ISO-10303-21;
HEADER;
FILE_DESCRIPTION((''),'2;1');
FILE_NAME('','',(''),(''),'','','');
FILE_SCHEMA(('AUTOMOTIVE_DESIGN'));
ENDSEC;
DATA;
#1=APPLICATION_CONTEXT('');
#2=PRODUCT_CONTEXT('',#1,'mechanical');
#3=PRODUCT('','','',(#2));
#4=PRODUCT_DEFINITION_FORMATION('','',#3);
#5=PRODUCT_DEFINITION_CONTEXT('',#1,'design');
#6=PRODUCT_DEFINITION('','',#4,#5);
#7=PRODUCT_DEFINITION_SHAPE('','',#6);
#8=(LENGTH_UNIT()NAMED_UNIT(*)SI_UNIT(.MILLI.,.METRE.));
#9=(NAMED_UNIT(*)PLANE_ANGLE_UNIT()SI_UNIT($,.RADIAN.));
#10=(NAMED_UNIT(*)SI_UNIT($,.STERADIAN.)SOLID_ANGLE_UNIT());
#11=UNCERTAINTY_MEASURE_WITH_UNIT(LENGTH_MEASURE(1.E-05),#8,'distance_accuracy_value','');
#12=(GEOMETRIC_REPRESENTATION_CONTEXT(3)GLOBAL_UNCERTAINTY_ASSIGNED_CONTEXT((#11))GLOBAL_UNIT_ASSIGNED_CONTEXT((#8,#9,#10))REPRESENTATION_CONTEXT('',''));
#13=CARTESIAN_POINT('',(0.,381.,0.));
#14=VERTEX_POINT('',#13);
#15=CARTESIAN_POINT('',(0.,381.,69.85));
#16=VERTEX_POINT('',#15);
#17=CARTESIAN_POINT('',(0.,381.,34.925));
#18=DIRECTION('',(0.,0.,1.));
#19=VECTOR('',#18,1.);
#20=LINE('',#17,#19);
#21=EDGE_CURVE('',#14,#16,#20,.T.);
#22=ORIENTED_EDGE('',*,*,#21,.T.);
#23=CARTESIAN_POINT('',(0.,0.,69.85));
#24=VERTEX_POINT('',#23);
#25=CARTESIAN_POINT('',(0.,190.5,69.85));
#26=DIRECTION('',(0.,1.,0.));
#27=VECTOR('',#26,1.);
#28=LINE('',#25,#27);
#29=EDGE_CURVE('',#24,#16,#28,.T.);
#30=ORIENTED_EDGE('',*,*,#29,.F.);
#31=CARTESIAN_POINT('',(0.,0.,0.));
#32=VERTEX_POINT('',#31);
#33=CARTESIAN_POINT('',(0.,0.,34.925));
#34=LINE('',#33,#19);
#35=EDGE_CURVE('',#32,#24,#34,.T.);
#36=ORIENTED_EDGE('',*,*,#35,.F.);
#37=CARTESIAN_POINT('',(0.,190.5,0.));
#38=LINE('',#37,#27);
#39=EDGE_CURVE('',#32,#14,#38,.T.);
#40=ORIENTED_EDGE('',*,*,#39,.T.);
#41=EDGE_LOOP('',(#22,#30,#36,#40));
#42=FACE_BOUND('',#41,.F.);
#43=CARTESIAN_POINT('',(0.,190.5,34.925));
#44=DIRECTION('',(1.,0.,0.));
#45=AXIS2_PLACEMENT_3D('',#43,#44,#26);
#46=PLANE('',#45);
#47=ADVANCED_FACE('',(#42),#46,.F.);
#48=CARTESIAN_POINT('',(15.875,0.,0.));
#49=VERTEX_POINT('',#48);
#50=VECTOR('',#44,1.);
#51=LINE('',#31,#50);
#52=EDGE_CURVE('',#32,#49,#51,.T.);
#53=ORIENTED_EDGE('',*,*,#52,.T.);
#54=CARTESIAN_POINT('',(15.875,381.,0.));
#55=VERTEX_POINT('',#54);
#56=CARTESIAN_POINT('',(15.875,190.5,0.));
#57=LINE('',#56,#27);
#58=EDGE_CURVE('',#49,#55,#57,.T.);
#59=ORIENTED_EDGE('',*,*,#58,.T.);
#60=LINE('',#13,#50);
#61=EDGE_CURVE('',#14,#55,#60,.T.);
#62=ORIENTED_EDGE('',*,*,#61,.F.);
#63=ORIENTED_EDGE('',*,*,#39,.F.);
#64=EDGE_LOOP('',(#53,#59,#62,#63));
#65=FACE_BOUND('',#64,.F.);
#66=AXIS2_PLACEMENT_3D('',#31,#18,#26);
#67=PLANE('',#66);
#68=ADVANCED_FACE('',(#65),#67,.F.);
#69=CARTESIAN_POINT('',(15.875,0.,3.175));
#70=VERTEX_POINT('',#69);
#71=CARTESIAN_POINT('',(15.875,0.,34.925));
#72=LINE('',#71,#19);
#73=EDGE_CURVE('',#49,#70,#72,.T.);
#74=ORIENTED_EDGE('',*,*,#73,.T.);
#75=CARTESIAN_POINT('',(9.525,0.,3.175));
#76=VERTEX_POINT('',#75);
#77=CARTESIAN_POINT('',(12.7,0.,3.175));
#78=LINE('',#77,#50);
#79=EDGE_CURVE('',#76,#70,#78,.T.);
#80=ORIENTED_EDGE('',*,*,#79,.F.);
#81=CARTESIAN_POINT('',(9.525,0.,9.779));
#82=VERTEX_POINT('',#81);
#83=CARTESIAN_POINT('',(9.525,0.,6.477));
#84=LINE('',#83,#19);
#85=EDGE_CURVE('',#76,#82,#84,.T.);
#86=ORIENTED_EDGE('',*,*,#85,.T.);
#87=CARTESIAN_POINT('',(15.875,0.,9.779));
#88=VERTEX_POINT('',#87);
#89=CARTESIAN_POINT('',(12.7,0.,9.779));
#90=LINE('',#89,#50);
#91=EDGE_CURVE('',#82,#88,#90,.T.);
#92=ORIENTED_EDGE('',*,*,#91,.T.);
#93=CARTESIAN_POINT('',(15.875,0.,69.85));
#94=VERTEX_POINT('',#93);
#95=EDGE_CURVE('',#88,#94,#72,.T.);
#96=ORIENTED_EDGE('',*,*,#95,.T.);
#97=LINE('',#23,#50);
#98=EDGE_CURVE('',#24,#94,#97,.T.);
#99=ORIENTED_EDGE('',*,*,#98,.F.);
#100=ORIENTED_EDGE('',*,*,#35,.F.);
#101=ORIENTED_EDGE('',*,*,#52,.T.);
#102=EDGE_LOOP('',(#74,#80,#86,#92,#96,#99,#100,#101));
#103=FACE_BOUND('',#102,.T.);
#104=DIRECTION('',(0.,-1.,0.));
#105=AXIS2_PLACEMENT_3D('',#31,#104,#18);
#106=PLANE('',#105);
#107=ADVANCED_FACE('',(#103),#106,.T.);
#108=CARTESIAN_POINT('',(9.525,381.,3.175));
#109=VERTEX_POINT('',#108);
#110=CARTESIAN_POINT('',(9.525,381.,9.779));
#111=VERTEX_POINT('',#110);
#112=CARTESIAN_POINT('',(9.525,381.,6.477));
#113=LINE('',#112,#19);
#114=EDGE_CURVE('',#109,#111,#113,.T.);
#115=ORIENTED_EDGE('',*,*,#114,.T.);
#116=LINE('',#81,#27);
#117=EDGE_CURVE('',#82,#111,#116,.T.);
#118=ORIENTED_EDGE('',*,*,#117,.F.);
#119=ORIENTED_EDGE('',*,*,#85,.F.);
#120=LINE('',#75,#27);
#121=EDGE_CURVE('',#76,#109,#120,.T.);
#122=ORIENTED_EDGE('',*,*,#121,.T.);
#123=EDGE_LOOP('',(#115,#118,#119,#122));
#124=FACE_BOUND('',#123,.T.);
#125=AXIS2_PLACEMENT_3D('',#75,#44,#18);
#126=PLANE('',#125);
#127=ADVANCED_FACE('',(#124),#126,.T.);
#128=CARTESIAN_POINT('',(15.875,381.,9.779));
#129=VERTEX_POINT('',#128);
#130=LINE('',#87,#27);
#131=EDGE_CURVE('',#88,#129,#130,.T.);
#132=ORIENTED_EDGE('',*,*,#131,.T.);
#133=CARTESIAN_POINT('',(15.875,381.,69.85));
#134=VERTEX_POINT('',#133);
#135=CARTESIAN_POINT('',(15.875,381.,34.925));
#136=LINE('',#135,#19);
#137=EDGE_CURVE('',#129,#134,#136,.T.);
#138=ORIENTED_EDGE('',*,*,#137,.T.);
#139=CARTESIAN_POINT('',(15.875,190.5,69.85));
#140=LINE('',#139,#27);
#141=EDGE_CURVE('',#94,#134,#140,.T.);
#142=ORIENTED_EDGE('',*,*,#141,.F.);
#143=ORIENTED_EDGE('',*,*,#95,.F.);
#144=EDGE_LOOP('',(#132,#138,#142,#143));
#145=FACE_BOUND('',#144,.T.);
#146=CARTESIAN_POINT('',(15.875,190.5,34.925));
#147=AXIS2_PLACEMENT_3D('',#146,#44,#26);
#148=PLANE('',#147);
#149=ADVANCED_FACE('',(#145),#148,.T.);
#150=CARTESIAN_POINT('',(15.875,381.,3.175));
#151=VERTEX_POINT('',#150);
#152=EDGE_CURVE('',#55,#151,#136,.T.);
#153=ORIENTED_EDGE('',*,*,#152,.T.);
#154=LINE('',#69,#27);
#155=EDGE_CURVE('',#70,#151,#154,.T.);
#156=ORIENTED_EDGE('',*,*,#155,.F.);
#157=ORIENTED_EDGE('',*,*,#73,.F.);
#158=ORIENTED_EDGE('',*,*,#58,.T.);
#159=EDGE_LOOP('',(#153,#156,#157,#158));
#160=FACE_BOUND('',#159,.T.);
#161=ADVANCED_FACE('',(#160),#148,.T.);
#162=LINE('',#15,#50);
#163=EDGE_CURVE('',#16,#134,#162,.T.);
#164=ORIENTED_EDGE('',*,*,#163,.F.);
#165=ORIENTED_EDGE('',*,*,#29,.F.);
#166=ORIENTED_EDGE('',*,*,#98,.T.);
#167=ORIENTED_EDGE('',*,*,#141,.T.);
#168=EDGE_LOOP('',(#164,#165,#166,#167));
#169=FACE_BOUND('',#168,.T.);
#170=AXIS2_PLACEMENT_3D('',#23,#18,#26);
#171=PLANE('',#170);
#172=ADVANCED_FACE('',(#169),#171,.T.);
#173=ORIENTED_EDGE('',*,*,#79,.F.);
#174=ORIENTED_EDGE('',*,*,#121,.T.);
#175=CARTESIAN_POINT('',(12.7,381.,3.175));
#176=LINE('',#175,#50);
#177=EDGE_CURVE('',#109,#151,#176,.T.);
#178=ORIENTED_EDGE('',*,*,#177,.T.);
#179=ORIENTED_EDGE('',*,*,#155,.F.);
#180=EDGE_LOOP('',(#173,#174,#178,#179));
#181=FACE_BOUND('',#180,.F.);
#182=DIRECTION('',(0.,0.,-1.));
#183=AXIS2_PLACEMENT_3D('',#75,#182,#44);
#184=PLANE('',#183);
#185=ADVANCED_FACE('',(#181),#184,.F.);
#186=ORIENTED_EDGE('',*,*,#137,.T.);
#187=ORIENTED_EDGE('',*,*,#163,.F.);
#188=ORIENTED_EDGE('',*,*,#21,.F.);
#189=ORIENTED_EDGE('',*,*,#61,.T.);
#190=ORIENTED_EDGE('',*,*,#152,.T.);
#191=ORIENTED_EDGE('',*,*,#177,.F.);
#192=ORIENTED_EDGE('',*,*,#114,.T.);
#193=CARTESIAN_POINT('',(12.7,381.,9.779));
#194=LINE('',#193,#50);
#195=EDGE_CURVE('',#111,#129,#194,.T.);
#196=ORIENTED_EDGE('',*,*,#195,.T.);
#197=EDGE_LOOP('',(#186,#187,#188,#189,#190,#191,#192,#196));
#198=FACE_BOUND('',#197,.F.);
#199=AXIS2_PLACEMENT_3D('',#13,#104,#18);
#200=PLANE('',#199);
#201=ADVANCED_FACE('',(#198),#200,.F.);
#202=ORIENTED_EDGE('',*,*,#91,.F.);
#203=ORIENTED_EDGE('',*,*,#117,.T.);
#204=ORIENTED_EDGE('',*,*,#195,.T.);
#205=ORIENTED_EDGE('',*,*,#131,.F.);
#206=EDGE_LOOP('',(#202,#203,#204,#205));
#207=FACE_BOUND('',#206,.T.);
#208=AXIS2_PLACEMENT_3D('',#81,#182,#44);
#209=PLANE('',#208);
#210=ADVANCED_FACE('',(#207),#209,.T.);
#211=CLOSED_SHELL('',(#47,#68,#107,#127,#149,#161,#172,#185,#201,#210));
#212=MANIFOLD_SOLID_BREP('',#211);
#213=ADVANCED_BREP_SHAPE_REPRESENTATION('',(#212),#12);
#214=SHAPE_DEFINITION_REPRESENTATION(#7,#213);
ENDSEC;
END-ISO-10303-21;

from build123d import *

# Parameters (mm, degrees)
F0_W     = 381
F0_H     = 69.85
F1_DEPTH = 15.875
F2_W     = 6.35
F2_H     = 6.604
F3_DEPTH = 381


with BuildPart() as f1:
    # F0 (on Right) → F1 (new body)
    with BuildSketch(Plane.YZ):
        with Locations((190.5, 34.925)):
            Rectangle(F0_W, F0_H)
    extrude(amount=F1_DEPTH)

    # F2 (on face) → F3 (cut, through all)
    with BuildSketch(Plane.XZ):
        with Locations((12.7, 6.477)):
            Rectangle(F2_W, F2_H)
    extrude(amount=-F3_DEPTH, mode=Mode.SUBTRACT)


solid = f1.part
